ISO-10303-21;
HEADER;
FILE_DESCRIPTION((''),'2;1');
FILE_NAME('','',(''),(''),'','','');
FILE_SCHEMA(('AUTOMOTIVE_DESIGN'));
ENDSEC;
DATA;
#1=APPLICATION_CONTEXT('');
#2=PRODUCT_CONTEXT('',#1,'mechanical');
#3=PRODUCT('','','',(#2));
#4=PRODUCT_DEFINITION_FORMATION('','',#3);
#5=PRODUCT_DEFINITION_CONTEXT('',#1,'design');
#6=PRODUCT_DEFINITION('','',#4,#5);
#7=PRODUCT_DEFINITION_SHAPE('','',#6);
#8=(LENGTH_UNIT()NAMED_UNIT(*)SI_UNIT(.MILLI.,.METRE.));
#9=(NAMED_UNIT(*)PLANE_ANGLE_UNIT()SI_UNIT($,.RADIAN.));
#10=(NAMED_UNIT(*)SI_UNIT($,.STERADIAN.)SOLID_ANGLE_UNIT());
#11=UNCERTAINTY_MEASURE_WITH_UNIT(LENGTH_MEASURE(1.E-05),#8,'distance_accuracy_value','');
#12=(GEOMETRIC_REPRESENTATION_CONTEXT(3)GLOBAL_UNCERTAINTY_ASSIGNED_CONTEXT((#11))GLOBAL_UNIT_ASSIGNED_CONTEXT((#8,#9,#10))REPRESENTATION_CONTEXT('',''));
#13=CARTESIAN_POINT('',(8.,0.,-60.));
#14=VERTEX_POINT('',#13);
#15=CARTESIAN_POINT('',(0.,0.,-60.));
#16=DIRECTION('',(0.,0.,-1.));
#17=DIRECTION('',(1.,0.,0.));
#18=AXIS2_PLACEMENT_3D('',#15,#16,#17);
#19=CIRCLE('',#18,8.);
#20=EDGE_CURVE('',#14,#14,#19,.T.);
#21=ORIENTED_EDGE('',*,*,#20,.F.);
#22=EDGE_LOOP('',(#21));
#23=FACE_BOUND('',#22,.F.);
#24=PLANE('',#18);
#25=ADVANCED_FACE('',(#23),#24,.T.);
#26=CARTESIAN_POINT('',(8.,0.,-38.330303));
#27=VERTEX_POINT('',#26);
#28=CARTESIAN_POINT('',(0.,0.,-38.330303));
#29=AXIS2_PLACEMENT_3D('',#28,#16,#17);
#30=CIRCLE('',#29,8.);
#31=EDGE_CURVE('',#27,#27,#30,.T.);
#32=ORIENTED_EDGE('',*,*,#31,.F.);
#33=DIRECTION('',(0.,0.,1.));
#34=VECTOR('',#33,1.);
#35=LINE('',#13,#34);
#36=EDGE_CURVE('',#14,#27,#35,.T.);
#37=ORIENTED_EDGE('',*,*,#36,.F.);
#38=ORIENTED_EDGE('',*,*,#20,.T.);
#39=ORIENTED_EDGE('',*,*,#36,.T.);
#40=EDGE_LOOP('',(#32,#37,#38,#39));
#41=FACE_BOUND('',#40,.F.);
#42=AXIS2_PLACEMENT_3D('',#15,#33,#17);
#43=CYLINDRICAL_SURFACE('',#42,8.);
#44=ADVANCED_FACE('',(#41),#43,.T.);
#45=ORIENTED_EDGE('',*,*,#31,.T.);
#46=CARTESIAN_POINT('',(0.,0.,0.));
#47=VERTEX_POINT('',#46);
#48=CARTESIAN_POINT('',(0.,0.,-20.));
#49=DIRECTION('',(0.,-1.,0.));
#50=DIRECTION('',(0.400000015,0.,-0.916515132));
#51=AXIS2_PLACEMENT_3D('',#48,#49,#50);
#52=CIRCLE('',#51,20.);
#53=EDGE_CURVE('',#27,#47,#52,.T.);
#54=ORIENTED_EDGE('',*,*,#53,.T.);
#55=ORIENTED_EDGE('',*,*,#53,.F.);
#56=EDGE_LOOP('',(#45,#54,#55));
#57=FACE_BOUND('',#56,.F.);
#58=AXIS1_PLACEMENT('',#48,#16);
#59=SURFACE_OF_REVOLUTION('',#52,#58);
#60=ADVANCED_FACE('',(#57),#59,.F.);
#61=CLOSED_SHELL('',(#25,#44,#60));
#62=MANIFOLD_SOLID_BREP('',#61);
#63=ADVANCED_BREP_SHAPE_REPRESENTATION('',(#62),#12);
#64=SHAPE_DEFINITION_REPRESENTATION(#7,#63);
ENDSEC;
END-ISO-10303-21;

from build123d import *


with BuildPart() as f1:
    # F0 (on Front) → F1 (revolve)
    with BuildSketch(Plane.XZ):
        with BuildLine():
            Line((0, 0), (0, -40))
            ThreePointArc((0, -40), (4.086193, -39.578126), (8, -38.330303))
            ThreePointArc((8, -38.330303), (19.578126, -15.913807), (0, 0))
        make_face()
        with BuildLine():
            ThreePointArc((8, -38.330303), (4.086193, -39.578126), (0, -40))
            Line((0, -40), (0, -60))
            Line((0, -60), (8, -60))
            Line((8, -60), (8, -38.330303))
        make_face()
    revolve(axis=Axis((0, 0, -20), (0, 0, -1)))


solid = f1.part
